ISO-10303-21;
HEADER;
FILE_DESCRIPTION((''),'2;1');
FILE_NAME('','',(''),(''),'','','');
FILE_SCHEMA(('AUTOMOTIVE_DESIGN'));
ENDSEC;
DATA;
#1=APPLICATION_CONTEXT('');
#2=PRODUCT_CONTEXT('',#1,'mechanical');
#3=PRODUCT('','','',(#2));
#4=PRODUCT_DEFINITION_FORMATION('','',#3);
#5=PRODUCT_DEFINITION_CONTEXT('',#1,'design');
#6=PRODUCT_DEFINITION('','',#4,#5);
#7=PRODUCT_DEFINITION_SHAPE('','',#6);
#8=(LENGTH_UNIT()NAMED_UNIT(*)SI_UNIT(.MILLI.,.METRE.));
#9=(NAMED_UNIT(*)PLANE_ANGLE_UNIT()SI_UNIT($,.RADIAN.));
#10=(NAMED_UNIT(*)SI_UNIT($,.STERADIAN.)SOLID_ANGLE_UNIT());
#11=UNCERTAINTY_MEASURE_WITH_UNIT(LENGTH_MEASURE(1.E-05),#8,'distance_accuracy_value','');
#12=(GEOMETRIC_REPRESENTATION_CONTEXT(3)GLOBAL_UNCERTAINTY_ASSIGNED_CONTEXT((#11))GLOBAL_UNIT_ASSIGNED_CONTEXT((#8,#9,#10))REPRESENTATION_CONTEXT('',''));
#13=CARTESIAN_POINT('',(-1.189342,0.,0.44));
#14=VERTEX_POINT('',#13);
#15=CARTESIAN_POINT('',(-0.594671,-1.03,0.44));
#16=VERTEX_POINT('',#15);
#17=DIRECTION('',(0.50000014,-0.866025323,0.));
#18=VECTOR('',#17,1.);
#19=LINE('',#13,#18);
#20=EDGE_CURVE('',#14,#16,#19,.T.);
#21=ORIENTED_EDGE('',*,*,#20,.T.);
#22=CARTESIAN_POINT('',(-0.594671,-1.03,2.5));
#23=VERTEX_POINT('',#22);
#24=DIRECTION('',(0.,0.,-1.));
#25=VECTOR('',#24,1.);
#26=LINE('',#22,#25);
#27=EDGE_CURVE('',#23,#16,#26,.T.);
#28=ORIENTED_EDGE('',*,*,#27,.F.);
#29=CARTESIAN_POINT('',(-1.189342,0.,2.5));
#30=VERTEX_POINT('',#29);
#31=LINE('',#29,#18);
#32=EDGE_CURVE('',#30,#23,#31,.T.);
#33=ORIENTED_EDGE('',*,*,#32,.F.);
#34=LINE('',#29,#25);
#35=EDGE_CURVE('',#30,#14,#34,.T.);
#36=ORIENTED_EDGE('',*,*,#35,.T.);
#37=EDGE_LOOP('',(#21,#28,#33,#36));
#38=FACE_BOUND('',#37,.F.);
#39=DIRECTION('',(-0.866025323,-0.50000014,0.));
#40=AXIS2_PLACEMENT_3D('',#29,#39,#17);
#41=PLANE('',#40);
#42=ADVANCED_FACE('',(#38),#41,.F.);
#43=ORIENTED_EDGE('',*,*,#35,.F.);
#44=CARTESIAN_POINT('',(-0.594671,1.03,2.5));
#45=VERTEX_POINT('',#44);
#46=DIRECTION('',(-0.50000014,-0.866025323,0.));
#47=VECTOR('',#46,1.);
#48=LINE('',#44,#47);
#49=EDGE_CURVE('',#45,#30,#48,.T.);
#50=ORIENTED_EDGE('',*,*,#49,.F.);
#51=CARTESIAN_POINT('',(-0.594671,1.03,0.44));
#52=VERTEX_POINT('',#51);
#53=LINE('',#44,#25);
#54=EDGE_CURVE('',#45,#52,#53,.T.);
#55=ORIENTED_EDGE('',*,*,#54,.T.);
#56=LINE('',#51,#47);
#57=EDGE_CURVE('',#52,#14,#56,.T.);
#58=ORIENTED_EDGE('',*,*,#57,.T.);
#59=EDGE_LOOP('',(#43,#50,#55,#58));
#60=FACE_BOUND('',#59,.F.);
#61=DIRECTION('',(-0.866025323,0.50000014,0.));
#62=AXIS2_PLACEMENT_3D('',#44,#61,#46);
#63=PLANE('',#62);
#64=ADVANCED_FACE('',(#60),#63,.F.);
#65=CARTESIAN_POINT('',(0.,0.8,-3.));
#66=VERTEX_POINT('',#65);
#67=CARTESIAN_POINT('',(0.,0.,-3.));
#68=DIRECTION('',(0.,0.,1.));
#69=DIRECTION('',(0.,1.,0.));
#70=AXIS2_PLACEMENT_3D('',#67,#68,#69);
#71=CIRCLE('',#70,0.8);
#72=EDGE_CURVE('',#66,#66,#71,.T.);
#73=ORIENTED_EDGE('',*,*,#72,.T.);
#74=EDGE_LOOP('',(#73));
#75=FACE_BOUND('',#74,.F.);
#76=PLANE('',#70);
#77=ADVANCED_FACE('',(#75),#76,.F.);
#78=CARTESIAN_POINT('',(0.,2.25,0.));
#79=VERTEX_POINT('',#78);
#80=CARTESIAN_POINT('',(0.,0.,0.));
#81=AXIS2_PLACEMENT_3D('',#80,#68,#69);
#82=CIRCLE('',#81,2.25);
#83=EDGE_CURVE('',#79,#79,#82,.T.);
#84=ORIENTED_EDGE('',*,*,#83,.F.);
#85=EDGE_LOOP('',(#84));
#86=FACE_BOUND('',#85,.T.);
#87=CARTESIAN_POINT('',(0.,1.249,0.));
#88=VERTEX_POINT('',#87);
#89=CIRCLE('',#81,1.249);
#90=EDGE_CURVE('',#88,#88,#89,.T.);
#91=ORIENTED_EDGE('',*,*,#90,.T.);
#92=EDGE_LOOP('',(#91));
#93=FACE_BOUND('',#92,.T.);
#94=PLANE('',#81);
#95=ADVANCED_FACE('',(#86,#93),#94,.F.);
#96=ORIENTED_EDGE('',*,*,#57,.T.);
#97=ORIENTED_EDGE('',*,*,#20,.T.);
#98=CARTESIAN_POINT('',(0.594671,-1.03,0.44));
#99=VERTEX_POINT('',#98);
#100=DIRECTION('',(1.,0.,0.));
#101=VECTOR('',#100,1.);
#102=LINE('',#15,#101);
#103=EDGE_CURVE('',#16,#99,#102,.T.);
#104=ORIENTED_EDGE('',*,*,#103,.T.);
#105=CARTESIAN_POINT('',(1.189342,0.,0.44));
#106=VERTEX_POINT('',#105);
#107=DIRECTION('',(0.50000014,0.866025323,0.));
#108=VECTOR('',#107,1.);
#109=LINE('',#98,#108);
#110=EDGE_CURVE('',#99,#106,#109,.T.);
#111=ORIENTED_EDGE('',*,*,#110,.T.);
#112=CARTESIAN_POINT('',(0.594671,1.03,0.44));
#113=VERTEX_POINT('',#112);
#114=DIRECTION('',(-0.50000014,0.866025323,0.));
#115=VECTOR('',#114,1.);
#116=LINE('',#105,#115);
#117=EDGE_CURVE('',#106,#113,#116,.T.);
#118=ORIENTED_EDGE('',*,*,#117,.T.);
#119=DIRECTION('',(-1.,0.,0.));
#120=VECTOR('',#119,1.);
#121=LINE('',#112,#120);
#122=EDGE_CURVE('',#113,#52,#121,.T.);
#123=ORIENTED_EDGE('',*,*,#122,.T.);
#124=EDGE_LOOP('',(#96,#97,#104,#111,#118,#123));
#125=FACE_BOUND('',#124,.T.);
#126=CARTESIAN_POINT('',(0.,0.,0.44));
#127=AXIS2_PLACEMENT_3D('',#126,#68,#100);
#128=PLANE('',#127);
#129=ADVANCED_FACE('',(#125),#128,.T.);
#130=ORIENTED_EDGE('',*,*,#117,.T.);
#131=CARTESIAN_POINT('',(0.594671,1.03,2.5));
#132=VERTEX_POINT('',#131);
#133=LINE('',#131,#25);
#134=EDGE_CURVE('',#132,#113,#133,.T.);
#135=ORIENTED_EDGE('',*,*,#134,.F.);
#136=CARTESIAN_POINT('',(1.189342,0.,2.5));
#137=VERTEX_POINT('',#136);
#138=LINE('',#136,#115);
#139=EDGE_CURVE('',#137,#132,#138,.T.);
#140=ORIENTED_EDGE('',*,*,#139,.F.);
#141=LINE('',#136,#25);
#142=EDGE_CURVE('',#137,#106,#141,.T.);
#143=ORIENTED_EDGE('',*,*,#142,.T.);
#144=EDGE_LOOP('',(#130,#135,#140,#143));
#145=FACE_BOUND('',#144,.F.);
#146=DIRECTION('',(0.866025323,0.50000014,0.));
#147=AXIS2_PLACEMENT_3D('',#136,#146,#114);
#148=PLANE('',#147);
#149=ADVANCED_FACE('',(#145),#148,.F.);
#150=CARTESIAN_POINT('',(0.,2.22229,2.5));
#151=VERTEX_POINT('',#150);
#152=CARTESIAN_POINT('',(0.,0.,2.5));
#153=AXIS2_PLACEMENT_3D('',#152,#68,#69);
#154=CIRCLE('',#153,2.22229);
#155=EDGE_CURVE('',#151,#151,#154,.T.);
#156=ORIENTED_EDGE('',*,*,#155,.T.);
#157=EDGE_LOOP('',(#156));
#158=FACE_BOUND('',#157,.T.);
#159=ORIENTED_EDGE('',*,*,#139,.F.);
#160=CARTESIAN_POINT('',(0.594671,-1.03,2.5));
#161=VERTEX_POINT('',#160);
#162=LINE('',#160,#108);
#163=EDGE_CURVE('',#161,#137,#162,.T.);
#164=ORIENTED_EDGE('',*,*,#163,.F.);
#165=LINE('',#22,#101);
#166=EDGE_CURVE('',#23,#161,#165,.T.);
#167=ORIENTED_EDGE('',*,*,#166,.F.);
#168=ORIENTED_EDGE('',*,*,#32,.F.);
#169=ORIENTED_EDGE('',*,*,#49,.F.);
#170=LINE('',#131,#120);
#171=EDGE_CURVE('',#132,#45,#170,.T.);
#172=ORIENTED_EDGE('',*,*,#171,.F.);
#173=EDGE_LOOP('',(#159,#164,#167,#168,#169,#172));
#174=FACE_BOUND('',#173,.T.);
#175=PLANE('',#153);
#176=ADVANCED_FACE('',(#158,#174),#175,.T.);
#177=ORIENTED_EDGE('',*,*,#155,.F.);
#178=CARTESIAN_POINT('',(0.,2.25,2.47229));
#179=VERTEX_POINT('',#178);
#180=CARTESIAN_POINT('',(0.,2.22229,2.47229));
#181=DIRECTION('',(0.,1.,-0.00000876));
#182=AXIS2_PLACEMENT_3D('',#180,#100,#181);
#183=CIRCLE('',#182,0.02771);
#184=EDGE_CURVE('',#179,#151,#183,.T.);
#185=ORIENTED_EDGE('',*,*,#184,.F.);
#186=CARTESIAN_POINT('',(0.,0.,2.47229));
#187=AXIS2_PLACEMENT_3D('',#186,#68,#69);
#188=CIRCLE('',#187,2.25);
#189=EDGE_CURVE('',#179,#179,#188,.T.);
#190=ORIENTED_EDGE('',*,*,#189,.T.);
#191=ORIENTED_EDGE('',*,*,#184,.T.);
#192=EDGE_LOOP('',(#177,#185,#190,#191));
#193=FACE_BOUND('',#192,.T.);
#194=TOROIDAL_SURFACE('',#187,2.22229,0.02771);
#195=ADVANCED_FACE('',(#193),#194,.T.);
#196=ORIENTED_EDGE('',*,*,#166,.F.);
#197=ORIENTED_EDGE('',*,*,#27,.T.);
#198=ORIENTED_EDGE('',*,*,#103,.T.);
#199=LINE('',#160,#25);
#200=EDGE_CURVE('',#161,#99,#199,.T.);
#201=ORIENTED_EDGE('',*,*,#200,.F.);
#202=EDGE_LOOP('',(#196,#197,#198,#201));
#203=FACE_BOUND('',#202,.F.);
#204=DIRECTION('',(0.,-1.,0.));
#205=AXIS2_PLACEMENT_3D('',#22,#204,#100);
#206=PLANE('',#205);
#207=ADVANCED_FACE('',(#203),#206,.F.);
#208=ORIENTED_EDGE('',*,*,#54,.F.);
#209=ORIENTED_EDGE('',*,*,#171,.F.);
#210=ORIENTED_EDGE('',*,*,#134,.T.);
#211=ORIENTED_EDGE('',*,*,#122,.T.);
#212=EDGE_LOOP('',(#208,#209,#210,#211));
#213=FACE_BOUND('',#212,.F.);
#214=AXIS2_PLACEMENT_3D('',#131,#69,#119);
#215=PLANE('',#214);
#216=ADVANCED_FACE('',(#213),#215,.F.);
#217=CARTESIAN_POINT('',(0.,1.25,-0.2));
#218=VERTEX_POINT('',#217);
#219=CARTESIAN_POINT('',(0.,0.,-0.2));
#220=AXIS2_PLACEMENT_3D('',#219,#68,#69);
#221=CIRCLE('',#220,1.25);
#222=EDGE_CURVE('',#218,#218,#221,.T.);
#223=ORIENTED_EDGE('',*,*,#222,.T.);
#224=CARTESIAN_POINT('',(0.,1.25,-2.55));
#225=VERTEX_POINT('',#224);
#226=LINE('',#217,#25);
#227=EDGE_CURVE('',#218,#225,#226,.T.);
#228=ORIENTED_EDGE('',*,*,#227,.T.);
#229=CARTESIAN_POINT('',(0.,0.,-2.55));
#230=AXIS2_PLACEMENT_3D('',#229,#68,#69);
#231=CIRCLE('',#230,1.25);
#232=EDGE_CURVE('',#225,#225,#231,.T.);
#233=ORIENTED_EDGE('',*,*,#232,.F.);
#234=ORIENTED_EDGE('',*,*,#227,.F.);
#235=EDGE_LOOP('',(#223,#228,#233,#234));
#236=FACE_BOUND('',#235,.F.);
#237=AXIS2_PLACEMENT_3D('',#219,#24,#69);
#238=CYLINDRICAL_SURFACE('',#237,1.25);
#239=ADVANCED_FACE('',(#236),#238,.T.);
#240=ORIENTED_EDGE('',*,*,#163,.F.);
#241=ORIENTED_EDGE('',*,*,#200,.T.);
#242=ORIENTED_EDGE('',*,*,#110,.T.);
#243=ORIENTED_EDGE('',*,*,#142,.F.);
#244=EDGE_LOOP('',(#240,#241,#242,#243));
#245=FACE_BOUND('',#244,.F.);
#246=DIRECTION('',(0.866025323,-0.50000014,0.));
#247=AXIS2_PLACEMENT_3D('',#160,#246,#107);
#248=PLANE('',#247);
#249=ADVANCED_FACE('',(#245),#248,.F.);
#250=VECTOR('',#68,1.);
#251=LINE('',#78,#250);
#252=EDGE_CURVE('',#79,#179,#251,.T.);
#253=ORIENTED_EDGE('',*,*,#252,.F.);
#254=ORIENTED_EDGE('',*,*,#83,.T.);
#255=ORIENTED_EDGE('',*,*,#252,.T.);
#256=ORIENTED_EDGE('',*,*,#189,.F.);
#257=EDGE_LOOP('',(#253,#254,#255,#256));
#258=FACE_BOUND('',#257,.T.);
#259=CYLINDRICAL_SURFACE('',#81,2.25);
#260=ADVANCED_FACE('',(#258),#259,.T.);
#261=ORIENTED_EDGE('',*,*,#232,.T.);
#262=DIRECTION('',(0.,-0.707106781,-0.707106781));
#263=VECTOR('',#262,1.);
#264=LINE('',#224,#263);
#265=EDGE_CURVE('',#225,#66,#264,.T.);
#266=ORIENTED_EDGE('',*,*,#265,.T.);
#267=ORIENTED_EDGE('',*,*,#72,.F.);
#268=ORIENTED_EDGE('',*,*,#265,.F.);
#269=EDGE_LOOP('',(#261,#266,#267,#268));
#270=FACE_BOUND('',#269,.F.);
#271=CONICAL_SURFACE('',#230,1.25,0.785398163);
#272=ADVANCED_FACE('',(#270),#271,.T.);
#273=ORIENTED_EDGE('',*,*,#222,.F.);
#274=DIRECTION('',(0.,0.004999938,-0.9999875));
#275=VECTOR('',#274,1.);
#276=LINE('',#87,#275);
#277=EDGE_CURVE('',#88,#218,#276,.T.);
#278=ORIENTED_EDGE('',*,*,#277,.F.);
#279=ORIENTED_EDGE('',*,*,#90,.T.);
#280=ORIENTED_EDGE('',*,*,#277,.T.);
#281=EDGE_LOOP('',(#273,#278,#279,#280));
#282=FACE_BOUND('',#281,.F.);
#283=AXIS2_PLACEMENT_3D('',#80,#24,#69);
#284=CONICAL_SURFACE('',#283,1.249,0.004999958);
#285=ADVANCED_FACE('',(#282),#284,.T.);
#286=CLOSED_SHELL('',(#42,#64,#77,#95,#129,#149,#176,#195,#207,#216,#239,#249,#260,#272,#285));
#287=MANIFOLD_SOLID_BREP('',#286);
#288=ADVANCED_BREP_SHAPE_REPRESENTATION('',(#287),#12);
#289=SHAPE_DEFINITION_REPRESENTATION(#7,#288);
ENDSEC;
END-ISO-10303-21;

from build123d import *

# Parameters (mm, degrees)
POCKET_DEPTH = 2.06


with BuildPart() as part:
    # Sketch → Revolve (revolve)
    with BuildSketch(Plane.YZ):
        with BuildLine():
            Line((1.249, 0), (2.25, 0))
            Line((2.25, 0), (2.25, 2.47229))
            ThreePointArc((2.25, 2.47229), (2.241884, 2.491884), (2.22229, 2.5))
            Line((2.22229, 2.5), (0, 2.5))
            Line((0, -3), (0, 2.5))
            Line((0.8, -3), (0, -3))
            Line((1.25, -2.55), (0.8, -3))
            Line((1.25, -0.2), (1.25, -2.55))
            Line((1.249, 0), (1.25, -0.2))
        make_face()
    revolve(axis=Axis((0, 0, 0), (0, 0, 1)))

    # Sketch001 → Pocket (cut)
    with BuildSketch(Plane.XY.offset(2.5)):
        Polygon((1.189342, 0), (0.594671, 1.03), (-0.594671, 1.03), (-1.189342, 0), (-0.594671, -1.03), (0.594671, -1.03), align=None)
    extrude(amount=-POCKET_DEPTH, mode=Mode.SUBTRACT)


solid = part.part
